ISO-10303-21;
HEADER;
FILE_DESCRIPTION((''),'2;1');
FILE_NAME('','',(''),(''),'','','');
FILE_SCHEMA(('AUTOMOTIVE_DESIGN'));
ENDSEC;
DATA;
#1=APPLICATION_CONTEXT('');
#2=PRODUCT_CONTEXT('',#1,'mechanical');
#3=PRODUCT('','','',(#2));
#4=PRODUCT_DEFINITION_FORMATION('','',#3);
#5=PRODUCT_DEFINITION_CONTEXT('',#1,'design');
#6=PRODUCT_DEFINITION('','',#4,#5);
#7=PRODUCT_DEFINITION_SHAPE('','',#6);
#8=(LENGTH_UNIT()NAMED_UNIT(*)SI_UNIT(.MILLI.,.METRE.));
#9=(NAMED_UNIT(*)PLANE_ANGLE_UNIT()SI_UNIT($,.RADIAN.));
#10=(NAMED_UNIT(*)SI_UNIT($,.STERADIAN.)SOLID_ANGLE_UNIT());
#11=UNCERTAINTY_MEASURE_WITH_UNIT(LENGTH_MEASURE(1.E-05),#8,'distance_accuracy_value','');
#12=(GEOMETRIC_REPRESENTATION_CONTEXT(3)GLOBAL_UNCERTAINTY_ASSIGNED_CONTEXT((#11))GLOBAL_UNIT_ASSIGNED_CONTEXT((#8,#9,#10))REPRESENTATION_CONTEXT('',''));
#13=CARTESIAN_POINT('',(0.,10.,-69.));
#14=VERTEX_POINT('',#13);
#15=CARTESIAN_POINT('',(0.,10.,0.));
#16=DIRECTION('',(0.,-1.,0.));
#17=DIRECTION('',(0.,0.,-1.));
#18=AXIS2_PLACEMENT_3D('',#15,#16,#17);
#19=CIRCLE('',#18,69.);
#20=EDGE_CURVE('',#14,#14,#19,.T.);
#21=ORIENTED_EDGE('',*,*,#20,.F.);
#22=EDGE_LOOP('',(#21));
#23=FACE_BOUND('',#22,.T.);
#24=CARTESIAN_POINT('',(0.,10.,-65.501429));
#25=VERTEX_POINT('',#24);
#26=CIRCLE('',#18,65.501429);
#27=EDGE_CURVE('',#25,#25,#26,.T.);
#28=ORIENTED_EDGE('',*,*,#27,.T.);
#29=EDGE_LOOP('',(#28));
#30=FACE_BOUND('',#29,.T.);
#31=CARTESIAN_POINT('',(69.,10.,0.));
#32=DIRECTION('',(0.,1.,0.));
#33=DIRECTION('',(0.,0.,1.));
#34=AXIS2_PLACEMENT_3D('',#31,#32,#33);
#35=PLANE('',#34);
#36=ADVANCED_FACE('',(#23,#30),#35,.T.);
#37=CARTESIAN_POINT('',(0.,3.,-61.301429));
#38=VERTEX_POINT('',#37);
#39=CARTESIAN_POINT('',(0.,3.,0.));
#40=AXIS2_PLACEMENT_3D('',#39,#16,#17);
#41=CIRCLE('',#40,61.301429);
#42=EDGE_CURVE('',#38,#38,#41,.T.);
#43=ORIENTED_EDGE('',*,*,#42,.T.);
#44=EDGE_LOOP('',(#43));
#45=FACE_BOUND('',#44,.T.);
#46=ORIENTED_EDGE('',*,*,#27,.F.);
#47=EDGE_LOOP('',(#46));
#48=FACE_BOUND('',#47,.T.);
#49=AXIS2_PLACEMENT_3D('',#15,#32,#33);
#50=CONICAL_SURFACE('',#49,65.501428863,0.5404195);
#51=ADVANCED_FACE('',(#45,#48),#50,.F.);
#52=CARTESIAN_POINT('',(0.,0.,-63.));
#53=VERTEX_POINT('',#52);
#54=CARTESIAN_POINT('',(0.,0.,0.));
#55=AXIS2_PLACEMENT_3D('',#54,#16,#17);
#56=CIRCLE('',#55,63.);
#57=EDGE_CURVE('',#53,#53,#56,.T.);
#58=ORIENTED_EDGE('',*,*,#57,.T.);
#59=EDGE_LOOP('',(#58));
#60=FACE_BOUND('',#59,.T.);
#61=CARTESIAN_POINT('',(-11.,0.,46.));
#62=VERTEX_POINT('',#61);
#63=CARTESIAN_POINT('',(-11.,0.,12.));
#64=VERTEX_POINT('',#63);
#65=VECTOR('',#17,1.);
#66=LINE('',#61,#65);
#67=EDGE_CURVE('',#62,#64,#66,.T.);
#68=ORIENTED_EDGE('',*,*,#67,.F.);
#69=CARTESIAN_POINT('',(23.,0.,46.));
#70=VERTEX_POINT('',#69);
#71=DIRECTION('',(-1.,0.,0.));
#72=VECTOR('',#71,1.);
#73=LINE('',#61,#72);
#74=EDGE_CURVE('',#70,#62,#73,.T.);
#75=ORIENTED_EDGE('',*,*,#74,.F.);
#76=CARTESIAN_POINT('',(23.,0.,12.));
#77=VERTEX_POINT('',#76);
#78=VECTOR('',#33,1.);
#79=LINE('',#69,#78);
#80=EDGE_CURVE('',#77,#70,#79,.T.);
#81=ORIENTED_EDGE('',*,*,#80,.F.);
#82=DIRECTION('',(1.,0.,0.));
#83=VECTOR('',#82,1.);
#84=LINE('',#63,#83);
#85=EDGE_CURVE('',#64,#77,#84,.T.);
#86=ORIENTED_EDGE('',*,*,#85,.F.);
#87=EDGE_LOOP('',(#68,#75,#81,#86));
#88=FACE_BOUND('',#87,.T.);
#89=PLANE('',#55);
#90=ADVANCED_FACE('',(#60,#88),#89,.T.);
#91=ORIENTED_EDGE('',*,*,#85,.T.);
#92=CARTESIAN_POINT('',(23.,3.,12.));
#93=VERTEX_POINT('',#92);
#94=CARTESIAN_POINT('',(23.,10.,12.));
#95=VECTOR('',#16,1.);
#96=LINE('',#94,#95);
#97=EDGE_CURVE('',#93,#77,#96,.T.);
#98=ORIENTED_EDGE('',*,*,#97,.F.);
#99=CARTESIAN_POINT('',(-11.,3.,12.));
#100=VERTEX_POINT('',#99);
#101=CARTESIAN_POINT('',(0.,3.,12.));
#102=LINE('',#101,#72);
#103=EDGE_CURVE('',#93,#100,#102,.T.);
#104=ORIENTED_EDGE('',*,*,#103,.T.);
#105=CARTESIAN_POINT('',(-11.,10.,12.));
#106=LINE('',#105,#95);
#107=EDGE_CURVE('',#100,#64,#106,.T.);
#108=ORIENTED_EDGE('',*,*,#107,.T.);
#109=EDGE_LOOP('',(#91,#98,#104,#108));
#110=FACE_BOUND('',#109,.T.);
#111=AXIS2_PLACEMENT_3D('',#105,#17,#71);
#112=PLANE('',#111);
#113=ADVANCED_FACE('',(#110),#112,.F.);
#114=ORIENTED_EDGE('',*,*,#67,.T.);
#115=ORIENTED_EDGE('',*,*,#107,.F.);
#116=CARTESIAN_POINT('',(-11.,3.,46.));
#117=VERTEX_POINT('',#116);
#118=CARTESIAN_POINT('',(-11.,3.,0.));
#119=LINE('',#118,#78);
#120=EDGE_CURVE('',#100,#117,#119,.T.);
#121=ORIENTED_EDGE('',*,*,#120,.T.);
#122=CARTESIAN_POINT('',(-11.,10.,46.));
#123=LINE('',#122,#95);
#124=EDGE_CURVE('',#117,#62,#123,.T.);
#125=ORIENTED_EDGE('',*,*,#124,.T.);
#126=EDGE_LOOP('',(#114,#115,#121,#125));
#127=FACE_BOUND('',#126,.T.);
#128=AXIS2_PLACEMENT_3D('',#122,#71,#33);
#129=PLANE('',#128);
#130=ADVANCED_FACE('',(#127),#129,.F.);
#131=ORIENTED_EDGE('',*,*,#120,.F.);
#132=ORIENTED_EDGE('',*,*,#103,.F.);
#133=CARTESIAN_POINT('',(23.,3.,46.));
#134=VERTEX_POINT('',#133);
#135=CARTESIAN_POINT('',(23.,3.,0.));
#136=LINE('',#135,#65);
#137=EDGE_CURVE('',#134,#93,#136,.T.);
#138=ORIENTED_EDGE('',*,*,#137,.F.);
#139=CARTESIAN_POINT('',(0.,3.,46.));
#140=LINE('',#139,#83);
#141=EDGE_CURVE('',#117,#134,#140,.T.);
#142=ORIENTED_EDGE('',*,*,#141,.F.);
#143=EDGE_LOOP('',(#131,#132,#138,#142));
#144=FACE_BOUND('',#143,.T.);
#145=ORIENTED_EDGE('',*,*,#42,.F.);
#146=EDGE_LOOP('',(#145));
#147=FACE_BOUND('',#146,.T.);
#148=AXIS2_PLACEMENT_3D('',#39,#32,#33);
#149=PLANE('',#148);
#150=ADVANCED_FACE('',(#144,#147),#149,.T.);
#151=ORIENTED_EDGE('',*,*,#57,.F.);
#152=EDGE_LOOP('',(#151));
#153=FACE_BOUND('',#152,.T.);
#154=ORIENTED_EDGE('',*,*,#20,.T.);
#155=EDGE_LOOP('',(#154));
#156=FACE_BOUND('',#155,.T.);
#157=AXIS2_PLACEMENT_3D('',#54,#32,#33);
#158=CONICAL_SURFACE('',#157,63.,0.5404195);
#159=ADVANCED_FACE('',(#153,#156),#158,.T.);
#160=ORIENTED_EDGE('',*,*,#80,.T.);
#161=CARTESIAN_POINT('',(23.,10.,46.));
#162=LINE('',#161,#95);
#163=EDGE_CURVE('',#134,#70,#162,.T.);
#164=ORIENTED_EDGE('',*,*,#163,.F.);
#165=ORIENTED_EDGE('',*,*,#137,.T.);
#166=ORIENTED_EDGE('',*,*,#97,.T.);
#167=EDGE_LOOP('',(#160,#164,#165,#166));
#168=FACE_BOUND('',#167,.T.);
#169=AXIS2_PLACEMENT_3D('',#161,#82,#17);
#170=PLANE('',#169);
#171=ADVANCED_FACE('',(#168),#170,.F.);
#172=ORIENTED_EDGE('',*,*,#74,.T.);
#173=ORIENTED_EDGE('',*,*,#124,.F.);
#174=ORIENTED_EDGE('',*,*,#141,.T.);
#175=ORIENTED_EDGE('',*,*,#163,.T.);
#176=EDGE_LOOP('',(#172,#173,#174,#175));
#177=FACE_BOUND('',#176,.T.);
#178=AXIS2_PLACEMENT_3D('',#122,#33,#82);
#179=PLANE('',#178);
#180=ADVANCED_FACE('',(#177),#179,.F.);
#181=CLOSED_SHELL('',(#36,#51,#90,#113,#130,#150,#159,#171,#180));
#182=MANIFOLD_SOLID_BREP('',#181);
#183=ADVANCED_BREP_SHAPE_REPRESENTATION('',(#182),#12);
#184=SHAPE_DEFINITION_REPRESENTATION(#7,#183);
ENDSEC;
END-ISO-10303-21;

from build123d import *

# Parameters (mm, degrees)
SKETCH2_W          = 34
SKETCH2_H          = 34
CUT_EXTRUDE1_DEPTH = 11


with BuildPart() as part:
    # Sketch1 → Revolve1 (revolve)
    with BuildSketch(Plane.XY):
        Polygon((0, 0), (63, 0), (69, 10), (65.501428863, 10), (61.301428863, 3), (0, 3), align=None)
    revolve(axis=Axis((0, 0, 0), (0, 1, 0)))

    # Sketch2 → Cut-Extrude1 (cut, through all)
    with BuildSketch(Plane.XZ):
        with Locations((6, 29)):
            Rectangle(SKETCH2_W, SKETCH2_H)
    extrude(amount=-CUT_EXTRUDE1_DEPTH, mode=Mode.SUBTRACT)


solid = part.part
